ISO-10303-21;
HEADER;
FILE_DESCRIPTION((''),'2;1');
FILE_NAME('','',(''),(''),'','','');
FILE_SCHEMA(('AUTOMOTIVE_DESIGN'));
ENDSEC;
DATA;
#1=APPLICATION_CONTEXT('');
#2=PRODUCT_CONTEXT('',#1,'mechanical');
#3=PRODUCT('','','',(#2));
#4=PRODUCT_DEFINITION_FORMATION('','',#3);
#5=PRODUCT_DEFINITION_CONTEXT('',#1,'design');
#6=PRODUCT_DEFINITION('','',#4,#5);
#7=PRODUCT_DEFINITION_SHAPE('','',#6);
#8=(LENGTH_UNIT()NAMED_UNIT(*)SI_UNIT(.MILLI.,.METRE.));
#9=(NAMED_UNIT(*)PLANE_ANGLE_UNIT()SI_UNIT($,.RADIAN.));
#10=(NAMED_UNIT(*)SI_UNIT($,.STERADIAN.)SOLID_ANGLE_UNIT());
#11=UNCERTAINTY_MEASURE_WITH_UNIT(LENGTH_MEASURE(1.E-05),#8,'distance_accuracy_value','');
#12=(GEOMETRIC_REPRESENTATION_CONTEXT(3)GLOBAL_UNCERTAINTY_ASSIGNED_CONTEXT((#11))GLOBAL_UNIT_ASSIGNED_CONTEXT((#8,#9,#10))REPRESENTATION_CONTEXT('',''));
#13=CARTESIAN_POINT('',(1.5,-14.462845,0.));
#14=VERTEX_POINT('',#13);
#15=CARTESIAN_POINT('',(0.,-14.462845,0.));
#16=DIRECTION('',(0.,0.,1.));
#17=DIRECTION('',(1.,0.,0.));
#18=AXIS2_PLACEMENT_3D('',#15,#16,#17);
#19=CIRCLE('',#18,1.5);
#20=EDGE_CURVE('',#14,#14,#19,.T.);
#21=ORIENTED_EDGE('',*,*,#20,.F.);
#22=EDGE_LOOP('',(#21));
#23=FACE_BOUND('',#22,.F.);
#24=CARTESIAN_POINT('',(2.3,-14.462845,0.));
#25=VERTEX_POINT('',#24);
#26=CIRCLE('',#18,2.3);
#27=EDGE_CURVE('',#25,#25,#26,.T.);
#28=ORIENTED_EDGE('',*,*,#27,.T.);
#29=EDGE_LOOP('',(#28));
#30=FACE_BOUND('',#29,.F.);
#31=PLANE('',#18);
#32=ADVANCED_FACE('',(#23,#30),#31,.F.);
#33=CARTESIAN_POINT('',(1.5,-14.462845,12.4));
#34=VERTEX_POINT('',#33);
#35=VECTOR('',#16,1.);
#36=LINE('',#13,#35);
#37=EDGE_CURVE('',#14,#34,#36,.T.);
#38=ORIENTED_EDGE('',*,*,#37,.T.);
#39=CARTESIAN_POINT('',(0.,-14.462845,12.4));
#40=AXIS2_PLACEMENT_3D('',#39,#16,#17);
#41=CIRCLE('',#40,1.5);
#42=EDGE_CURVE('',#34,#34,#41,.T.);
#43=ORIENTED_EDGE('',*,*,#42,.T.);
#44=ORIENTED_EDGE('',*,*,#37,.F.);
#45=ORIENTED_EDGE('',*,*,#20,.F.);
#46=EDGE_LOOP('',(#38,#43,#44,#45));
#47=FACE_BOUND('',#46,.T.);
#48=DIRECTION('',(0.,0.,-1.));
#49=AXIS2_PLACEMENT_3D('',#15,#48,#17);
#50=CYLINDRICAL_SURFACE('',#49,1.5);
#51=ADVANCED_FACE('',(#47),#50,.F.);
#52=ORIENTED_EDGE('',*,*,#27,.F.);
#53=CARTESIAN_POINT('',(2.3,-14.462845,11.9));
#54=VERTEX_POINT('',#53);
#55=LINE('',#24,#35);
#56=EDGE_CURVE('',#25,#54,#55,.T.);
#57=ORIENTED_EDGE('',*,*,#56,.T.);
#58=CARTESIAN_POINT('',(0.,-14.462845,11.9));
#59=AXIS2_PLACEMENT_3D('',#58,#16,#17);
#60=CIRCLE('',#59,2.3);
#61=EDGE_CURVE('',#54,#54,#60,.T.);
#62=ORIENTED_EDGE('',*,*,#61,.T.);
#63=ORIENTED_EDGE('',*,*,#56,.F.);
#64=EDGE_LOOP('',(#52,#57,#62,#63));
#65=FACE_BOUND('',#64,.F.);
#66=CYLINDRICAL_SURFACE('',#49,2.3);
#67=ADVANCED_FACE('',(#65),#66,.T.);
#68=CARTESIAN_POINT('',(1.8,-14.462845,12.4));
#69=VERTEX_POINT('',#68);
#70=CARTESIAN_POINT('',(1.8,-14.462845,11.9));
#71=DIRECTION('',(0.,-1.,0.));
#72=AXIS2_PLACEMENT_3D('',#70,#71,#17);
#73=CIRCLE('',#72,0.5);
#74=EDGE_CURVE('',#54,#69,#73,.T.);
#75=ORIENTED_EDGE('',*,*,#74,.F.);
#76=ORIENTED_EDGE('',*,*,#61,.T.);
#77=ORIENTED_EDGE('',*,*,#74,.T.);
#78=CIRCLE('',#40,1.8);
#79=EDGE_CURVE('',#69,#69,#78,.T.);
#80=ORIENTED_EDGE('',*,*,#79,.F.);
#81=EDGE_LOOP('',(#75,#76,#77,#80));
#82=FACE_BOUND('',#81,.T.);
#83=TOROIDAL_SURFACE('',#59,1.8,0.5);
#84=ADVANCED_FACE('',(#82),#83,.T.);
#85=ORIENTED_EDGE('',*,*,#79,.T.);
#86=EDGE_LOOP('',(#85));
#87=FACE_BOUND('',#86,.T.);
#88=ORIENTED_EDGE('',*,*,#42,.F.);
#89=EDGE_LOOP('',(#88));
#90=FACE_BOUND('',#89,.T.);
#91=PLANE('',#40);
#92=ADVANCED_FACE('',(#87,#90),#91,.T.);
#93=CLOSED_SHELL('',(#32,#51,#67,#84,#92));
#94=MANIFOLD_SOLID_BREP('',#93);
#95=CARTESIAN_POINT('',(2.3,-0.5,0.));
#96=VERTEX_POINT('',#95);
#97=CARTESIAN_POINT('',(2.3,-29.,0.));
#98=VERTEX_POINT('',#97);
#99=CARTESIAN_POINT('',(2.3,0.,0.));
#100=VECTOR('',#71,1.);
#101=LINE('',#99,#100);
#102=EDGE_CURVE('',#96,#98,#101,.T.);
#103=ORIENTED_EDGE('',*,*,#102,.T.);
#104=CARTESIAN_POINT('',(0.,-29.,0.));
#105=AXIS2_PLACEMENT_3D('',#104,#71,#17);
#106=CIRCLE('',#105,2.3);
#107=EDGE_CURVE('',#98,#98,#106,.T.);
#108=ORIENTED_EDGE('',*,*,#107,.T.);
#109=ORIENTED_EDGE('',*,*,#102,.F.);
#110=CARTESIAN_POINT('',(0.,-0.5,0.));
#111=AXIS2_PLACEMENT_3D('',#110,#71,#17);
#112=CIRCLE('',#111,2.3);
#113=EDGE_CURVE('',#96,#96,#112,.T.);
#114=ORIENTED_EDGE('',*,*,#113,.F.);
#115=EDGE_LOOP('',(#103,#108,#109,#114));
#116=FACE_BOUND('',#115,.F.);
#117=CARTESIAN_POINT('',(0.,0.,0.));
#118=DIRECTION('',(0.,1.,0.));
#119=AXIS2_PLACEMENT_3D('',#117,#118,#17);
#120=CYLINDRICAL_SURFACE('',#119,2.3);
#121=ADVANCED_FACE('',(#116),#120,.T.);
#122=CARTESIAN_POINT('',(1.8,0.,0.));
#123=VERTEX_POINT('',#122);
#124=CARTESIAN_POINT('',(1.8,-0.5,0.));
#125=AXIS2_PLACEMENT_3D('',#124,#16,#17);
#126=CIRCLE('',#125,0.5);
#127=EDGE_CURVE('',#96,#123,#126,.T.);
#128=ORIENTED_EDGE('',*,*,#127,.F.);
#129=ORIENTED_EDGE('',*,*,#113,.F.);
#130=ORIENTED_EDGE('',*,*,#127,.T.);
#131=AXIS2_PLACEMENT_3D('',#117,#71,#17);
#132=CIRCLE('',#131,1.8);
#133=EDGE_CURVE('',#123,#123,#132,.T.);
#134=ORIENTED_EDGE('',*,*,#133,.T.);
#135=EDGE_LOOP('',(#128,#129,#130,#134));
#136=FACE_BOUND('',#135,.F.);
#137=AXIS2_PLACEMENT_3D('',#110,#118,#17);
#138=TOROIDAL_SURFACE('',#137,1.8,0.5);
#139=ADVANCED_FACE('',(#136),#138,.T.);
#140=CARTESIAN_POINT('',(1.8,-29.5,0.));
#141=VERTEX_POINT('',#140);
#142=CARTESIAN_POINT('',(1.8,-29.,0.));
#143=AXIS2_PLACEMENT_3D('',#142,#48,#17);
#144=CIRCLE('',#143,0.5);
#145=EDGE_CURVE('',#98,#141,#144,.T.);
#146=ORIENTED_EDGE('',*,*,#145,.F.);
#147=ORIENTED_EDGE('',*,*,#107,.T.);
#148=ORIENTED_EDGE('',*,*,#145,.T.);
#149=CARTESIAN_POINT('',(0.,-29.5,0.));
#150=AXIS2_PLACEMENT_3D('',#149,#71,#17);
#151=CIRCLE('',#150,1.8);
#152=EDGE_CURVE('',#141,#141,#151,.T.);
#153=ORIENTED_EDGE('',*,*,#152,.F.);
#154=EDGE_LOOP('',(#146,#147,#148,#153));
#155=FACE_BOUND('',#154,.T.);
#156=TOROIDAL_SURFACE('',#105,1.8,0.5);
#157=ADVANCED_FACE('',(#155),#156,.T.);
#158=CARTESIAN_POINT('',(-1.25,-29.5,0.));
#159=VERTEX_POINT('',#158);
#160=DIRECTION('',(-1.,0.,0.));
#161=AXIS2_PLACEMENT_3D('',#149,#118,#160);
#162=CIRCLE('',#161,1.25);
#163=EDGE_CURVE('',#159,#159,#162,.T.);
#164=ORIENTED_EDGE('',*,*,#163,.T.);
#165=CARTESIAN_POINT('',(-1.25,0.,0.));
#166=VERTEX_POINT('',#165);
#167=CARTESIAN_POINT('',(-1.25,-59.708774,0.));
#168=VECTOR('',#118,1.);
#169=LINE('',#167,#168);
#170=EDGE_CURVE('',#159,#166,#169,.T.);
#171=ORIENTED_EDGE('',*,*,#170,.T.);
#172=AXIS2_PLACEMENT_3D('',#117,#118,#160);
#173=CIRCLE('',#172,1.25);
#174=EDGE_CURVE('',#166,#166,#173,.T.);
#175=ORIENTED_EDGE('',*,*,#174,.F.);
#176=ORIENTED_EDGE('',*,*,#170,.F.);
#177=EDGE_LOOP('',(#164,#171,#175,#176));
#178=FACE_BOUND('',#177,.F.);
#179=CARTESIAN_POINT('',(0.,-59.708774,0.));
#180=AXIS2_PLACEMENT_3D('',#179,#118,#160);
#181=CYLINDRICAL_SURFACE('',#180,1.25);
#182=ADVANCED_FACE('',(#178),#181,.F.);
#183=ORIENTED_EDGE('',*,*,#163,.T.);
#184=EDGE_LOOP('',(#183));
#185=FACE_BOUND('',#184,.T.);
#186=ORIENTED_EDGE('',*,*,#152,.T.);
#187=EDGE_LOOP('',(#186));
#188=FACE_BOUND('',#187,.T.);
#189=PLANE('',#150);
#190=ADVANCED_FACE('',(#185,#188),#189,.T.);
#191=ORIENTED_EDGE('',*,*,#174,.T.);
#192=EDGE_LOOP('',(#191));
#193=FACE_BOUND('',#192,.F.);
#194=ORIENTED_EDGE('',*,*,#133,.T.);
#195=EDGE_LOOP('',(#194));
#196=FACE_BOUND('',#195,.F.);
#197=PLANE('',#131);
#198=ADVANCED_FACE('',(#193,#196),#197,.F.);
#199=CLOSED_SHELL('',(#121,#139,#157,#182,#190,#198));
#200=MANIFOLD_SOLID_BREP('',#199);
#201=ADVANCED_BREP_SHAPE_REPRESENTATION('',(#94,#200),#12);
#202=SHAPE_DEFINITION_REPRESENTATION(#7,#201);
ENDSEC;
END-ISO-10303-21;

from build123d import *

# Parameters (mm, degrees)
F0_R     = 2.3
F1_DEPTH = 29.5
F3_D     = 2.5
F4_R     = 2.3
F5_DEPTH = 12.4
F6_R     = 1.5
F7_DEPTH = 12.4
F8_R     = 0.5
F9_R     = 0.5
F10_R    = 0.5


with BuildPart() as f1:
    # F0 (on Front) → F1 (new body)
    with BuildSketch(Plane.XZ):
        Circle(F0_R)
    extrude(amount=F1_DEPTH)

    # F3 (through all)
    with Locations(Plane.XZ.offset(29.5)):
        with Locations((0, 0)):
            Hole(F3_D / 2)

    # F9
    f9_edges = [f1.edges().sort_by_distance(p)[0] for p in [
        (-2.3, -29.5, 0),
    ]]
    fillet(f9_edges, radius=F9_R)

    # F10
    f10_edges = [f1.edges().sort_by_distance(p)[0] for p in [
        (-2.3, 0, 0),
    ]]
    fillet(f10_edges, radius=F10_R)


with BuildPart() as f5:
    # F4 (on Top) → F5 (new body)
    with BuildSketch(Plane.XY):
        with Locations((0, -14.4628454)):
            Circle(F4_R)
    extrude(amount=F5_DEPTH)

    # F6 (on Top) → F7 (cut)
    with BuildSketch(Plane.XY):
        with Locations((0, -14.4628454)):
            Circle(F6_R)
    extrude(amount=F7_DEPTH, mode=Mode.SUBTRACT)

    # F8
    f8_edges = [f5.edges().sort_by_distance(p)[0] for p in [
        (-2.3, -14.462845, 12.4),
    ]]
    fillet(f8_edges, radius=F8_R)


solid = Compound([f1.part, f5.part])
